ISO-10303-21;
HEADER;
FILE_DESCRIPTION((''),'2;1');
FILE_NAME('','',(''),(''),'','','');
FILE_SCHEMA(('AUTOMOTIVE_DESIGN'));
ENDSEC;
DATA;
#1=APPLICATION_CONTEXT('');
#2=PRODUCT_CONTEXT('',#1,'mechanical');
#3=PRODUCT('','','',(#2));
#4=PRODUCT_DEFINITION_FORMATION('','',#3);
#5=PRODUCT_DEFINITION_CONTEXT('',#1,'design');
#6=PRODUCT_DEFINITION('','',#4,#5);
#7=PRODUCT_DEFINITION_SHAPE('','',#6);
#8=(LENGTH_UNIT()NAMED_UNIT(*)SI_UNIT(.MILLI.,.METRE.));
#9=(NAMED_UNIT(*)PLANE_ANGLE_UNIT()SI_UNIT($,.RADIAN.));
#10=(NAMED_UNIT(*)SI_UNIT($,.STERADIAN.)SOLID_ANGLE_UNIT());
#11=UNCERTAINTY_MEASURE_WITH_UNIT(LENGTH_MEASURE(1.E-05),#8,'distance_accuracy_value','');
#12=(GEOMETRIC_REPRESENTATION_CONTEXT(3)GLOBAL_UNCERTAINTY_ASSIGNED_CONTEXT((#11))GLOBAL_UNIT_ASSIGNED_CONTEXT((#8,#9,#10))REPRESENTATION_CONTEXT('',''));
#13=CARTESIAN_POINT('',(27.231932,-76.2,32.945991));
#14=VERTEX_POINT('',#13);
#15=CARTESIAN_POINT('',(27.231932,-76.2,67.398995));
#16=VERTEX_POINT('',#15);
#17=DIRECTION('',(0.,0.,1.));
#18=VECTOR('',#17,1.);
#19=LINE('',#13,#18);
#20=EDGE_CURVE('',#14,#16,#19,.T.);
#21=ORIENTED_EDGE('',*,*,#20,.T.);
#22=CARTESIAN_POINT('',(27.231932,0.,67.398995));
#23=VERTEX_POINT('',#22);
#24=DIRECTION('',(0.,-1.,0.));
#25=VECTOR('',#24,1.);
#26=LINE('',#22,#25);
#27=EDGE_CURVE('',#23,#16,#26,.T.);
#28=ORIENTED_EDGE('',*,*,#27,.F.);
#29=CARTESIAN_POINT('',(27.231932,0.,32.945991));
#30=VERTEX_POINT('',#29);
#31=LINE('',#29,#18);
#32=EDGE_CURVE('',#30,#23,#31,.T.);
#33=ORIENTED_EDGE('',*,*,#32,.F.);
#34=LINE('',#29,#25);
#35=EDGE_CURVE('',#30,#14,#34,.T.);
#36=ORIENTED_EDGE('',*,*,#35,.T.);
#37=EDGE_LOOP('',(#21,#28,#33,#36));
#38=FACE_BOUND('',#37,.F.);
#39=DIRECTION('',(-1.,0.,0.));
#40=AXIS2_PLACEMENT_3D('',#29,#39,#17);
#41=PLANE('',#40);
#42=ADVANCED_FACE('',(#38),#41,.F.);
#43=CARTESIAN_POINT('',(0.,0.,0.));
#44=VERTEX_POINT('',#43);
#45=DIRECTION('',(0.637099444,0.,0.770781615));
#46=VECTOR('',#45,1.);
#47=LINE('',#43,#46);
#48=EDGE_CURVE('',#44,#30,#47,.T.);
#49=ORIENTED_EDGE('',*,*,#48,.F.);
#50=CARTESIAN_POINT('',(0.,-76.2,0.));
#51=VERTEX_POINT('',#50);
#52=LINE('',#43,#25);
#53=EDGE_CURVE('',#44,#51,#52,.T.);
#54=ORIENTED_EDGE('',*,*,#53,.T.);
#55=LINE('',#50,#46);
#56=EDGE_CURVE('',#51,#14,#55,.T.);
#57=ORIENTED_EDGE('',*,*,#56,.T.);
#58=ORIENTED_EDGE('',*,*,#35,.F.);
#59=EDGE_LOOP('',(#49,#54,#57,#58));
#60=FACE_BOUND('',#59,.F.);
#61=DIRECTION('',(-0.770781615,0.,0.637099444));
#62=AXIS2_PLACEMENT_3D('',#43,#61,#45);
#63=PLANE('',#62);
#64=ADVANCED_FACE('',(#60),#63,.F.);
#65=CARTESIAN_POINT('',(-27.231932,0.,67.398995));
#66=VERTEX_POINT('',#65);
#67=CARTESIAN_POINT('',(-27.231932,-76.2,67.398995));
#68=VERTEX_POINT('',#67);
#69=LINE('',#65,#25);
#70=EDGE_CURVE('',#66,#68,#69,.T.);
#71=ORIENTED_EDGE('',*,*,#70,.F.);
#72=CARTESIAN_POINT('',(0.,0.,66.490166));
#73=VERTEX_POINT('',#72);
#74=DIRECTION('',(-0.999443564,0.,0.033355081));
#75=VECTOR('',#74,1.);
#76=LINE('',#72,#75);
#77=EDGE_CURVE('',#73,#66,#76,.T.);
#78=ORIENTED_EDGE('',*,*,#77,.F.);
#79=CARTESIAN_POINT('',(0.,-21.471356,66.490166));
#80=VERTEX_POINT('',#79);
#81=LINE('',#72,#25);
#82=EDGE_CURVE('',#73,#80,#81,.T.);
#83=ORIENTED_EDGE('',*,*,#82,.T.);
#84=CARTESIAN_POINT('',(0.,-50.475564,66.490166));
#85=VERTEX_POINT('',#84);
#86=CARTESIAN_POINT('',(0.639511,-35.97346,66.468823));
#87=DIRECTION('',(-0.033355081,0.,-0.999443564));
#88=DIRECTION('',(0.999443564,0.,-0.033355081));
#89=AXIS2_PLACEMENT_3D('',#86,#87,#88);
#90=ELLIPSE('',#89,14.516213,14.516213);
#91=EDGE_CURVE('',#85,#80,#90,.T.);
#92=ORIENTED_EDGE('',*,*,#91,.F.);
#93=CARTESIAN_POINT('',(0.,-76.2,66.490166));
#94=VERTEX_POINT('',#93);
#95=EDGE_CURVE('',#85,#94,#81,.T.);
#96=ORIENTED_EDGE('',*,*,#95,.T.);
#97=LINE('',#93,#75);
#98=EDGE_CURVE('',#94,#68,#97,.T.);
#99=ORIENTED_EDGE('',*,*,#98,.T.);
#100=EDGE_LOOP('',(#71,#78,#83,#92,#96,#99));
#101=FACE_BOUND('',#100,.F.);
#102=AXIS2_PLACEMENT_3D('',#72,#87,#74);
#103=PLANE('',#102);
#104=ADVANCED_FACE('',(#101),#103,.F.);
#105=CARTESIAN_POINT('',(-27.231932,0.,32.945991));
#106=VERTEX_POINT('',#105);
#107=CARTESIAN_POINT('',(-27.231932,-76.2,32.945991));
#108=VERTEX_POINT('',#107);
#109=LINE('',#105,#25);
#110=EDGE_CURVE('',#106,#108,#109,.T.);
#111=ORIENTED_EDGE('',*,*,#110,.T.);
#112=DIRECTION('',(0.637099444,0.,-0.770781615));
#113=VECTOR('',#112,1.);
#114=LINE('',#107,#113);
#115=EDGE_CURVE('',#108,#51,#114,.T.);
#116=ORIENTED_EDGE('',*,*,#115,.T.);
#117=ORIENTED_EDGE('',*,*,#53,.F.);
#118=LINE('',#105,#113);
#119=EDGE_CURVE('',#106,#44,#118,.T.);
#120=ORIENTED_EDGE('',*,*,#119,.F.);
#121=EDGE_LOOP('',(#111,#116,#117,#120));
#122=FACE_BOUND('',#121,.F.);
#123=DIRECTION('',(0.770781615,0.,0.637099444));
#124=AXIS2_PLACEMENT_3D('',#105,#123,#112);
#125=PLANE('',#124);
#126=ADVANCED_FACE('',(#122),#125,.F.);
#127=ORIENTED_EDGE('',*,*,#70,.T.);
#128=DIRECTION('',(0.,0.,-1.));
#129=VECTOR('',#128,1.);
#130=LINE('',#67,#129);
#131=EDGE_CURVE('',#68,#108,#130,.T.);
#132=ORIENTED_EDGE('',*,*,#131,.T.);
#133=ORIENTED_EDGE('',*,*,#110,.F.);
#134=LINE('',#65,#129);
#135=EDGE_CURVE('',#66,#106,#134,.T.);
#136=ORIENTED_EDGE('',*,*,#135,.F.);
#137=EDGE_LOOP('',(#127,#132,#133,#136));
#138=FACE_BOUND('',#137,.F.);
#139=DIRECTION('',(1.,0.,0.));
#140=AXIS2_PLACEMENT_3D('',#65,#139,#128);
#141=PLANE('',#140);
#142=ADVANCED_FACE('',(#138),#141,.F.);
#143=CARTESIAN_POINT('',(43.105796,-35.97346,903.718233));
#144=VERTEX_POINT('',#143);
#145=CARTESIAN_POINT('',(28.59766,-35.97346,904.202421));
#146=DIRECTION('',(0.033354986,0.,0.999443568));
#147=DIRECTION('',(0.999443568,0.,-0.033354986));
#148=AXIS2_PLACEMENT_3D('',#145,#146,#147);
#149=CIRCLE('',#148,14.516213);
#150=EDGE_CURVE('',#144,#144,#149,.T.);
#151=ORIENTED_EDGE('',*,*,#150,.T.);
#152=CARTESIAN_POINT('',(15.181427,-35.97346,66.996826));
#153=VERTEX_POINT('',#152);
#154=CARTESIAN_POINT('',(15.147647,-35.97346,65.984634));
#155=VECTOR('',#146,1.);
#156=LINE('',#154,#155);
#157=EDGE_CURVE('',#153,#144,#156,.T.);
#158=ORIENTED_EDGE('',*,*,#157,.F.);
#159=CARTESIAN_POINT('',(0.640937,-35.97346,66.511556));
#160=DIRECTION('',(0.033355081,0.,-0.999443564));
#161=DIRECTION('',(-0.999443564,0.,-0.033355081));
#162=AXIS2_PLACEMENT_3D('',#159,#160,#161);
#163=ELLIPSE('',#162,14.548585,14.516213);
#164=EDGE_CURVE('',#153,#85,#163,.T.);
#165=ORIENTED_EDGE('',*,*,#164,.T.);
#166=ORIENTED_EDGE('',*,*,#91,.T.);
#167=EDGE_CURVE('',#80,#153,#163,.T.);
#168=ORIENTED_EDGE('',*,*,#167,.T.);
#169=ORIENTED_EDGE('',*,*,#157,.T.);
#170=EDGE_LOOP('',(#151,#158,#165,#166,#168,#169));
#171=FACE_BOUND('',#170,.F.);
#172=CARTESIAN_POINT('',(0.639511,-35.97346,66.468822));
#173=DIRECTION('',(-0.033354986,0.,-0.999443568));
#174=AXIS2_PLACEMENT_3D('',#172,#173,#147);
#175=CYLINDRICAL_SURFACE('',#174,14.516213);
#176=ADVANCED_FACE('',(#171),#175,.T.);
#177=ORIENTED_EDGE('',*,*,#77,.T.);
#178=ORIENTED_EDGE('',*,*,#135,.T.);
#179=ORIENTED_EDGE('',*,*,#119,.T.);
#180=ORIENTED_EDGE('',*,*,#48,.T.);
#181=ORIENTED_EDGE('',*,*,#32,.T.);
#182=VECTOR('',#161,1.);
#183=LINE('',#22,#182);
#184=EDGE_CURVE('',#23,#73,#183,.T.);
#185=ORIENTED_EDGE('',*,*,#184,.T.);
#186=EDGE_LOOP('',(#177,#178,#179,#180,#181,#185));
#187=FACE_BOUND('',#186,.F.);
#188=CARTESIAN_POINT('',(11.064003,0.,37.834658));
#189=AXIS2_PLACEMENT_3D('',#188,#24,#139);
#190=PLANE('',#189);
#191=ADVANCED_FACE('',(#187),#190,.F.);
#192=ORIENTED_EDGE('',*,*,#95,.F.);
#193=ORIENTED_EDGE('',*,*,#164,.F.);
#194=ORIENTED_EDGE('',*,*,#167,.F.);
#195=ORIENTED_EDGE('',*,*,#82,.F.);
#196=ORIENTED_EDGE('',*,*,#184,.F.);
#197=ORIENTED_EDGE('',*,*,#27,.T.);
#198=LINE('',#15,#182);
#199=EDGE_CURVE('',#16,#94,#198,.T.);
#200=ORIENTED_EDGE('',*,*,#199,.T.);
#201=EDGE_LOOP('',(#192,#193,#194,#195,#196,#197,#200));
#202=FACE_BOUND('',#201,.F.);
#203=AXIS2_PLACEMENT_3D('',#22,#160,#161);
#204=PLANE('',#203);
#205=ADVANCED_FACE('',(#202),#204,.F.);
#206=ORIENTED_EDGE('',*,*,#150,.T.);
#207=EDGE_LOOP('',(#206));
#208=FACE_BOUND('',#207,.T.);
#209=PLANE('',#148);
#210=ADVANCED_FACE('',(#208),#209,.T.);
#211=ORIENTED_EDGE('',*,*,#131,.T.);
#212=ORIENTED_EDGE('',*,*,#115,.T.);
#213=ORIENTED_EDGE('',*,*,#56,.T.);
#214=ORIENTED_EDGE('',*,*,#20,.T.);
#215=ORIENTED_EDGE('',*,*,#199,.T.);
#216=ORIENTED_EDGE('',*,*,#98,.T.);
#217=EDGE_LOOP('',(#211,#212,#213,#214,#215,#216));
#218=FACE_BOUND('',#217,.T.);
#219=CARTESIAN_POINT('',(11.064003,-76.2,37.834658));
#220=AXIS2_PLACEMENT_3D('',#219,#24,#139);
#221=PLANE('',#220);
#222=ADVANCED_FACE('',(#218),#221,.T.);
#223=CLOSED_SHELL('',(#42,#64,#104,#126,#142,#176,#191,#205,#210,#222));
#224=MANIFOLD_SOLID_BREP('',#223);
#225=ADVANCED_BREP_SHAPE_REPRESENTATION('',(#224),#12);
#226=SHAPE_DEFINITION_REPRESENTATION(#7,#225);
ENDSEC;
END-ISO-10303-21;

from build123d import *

# Parameters (mm, degrees)
F1_DEPTH = 76.2
F2_R     = 14.516213
F3_DEPTH = 838.2


with BuildPart() as f1:
    # F0 (on Front) → F1 (new body)
    with BuildSketch(Plane.XZ):
        Polygon((0, 66.490166), (0, 0), (27.231932, 32.945991), (27.231932, 67.398995), align=None)
        Polygon((-27.231932, 32.945991), (0, 0), (0, 66.490166), (-27.231932, 67.398995), align=None)
    extrude(amount=F1_DEPTH)

    # F2 (on face) → F3 (join)
    with BuildSketch(Plane(origin=(2.216551, 0, 66.416191), x_dir=(0.999444, 0, -0.033355), z_dir=(0.033355, 0, 0.999444))):
        with Locations((-1.577918, -35.97346)):
            Circle(F2_R)
    extrude(amount=F3_DEPTH)


solid = f1.part
